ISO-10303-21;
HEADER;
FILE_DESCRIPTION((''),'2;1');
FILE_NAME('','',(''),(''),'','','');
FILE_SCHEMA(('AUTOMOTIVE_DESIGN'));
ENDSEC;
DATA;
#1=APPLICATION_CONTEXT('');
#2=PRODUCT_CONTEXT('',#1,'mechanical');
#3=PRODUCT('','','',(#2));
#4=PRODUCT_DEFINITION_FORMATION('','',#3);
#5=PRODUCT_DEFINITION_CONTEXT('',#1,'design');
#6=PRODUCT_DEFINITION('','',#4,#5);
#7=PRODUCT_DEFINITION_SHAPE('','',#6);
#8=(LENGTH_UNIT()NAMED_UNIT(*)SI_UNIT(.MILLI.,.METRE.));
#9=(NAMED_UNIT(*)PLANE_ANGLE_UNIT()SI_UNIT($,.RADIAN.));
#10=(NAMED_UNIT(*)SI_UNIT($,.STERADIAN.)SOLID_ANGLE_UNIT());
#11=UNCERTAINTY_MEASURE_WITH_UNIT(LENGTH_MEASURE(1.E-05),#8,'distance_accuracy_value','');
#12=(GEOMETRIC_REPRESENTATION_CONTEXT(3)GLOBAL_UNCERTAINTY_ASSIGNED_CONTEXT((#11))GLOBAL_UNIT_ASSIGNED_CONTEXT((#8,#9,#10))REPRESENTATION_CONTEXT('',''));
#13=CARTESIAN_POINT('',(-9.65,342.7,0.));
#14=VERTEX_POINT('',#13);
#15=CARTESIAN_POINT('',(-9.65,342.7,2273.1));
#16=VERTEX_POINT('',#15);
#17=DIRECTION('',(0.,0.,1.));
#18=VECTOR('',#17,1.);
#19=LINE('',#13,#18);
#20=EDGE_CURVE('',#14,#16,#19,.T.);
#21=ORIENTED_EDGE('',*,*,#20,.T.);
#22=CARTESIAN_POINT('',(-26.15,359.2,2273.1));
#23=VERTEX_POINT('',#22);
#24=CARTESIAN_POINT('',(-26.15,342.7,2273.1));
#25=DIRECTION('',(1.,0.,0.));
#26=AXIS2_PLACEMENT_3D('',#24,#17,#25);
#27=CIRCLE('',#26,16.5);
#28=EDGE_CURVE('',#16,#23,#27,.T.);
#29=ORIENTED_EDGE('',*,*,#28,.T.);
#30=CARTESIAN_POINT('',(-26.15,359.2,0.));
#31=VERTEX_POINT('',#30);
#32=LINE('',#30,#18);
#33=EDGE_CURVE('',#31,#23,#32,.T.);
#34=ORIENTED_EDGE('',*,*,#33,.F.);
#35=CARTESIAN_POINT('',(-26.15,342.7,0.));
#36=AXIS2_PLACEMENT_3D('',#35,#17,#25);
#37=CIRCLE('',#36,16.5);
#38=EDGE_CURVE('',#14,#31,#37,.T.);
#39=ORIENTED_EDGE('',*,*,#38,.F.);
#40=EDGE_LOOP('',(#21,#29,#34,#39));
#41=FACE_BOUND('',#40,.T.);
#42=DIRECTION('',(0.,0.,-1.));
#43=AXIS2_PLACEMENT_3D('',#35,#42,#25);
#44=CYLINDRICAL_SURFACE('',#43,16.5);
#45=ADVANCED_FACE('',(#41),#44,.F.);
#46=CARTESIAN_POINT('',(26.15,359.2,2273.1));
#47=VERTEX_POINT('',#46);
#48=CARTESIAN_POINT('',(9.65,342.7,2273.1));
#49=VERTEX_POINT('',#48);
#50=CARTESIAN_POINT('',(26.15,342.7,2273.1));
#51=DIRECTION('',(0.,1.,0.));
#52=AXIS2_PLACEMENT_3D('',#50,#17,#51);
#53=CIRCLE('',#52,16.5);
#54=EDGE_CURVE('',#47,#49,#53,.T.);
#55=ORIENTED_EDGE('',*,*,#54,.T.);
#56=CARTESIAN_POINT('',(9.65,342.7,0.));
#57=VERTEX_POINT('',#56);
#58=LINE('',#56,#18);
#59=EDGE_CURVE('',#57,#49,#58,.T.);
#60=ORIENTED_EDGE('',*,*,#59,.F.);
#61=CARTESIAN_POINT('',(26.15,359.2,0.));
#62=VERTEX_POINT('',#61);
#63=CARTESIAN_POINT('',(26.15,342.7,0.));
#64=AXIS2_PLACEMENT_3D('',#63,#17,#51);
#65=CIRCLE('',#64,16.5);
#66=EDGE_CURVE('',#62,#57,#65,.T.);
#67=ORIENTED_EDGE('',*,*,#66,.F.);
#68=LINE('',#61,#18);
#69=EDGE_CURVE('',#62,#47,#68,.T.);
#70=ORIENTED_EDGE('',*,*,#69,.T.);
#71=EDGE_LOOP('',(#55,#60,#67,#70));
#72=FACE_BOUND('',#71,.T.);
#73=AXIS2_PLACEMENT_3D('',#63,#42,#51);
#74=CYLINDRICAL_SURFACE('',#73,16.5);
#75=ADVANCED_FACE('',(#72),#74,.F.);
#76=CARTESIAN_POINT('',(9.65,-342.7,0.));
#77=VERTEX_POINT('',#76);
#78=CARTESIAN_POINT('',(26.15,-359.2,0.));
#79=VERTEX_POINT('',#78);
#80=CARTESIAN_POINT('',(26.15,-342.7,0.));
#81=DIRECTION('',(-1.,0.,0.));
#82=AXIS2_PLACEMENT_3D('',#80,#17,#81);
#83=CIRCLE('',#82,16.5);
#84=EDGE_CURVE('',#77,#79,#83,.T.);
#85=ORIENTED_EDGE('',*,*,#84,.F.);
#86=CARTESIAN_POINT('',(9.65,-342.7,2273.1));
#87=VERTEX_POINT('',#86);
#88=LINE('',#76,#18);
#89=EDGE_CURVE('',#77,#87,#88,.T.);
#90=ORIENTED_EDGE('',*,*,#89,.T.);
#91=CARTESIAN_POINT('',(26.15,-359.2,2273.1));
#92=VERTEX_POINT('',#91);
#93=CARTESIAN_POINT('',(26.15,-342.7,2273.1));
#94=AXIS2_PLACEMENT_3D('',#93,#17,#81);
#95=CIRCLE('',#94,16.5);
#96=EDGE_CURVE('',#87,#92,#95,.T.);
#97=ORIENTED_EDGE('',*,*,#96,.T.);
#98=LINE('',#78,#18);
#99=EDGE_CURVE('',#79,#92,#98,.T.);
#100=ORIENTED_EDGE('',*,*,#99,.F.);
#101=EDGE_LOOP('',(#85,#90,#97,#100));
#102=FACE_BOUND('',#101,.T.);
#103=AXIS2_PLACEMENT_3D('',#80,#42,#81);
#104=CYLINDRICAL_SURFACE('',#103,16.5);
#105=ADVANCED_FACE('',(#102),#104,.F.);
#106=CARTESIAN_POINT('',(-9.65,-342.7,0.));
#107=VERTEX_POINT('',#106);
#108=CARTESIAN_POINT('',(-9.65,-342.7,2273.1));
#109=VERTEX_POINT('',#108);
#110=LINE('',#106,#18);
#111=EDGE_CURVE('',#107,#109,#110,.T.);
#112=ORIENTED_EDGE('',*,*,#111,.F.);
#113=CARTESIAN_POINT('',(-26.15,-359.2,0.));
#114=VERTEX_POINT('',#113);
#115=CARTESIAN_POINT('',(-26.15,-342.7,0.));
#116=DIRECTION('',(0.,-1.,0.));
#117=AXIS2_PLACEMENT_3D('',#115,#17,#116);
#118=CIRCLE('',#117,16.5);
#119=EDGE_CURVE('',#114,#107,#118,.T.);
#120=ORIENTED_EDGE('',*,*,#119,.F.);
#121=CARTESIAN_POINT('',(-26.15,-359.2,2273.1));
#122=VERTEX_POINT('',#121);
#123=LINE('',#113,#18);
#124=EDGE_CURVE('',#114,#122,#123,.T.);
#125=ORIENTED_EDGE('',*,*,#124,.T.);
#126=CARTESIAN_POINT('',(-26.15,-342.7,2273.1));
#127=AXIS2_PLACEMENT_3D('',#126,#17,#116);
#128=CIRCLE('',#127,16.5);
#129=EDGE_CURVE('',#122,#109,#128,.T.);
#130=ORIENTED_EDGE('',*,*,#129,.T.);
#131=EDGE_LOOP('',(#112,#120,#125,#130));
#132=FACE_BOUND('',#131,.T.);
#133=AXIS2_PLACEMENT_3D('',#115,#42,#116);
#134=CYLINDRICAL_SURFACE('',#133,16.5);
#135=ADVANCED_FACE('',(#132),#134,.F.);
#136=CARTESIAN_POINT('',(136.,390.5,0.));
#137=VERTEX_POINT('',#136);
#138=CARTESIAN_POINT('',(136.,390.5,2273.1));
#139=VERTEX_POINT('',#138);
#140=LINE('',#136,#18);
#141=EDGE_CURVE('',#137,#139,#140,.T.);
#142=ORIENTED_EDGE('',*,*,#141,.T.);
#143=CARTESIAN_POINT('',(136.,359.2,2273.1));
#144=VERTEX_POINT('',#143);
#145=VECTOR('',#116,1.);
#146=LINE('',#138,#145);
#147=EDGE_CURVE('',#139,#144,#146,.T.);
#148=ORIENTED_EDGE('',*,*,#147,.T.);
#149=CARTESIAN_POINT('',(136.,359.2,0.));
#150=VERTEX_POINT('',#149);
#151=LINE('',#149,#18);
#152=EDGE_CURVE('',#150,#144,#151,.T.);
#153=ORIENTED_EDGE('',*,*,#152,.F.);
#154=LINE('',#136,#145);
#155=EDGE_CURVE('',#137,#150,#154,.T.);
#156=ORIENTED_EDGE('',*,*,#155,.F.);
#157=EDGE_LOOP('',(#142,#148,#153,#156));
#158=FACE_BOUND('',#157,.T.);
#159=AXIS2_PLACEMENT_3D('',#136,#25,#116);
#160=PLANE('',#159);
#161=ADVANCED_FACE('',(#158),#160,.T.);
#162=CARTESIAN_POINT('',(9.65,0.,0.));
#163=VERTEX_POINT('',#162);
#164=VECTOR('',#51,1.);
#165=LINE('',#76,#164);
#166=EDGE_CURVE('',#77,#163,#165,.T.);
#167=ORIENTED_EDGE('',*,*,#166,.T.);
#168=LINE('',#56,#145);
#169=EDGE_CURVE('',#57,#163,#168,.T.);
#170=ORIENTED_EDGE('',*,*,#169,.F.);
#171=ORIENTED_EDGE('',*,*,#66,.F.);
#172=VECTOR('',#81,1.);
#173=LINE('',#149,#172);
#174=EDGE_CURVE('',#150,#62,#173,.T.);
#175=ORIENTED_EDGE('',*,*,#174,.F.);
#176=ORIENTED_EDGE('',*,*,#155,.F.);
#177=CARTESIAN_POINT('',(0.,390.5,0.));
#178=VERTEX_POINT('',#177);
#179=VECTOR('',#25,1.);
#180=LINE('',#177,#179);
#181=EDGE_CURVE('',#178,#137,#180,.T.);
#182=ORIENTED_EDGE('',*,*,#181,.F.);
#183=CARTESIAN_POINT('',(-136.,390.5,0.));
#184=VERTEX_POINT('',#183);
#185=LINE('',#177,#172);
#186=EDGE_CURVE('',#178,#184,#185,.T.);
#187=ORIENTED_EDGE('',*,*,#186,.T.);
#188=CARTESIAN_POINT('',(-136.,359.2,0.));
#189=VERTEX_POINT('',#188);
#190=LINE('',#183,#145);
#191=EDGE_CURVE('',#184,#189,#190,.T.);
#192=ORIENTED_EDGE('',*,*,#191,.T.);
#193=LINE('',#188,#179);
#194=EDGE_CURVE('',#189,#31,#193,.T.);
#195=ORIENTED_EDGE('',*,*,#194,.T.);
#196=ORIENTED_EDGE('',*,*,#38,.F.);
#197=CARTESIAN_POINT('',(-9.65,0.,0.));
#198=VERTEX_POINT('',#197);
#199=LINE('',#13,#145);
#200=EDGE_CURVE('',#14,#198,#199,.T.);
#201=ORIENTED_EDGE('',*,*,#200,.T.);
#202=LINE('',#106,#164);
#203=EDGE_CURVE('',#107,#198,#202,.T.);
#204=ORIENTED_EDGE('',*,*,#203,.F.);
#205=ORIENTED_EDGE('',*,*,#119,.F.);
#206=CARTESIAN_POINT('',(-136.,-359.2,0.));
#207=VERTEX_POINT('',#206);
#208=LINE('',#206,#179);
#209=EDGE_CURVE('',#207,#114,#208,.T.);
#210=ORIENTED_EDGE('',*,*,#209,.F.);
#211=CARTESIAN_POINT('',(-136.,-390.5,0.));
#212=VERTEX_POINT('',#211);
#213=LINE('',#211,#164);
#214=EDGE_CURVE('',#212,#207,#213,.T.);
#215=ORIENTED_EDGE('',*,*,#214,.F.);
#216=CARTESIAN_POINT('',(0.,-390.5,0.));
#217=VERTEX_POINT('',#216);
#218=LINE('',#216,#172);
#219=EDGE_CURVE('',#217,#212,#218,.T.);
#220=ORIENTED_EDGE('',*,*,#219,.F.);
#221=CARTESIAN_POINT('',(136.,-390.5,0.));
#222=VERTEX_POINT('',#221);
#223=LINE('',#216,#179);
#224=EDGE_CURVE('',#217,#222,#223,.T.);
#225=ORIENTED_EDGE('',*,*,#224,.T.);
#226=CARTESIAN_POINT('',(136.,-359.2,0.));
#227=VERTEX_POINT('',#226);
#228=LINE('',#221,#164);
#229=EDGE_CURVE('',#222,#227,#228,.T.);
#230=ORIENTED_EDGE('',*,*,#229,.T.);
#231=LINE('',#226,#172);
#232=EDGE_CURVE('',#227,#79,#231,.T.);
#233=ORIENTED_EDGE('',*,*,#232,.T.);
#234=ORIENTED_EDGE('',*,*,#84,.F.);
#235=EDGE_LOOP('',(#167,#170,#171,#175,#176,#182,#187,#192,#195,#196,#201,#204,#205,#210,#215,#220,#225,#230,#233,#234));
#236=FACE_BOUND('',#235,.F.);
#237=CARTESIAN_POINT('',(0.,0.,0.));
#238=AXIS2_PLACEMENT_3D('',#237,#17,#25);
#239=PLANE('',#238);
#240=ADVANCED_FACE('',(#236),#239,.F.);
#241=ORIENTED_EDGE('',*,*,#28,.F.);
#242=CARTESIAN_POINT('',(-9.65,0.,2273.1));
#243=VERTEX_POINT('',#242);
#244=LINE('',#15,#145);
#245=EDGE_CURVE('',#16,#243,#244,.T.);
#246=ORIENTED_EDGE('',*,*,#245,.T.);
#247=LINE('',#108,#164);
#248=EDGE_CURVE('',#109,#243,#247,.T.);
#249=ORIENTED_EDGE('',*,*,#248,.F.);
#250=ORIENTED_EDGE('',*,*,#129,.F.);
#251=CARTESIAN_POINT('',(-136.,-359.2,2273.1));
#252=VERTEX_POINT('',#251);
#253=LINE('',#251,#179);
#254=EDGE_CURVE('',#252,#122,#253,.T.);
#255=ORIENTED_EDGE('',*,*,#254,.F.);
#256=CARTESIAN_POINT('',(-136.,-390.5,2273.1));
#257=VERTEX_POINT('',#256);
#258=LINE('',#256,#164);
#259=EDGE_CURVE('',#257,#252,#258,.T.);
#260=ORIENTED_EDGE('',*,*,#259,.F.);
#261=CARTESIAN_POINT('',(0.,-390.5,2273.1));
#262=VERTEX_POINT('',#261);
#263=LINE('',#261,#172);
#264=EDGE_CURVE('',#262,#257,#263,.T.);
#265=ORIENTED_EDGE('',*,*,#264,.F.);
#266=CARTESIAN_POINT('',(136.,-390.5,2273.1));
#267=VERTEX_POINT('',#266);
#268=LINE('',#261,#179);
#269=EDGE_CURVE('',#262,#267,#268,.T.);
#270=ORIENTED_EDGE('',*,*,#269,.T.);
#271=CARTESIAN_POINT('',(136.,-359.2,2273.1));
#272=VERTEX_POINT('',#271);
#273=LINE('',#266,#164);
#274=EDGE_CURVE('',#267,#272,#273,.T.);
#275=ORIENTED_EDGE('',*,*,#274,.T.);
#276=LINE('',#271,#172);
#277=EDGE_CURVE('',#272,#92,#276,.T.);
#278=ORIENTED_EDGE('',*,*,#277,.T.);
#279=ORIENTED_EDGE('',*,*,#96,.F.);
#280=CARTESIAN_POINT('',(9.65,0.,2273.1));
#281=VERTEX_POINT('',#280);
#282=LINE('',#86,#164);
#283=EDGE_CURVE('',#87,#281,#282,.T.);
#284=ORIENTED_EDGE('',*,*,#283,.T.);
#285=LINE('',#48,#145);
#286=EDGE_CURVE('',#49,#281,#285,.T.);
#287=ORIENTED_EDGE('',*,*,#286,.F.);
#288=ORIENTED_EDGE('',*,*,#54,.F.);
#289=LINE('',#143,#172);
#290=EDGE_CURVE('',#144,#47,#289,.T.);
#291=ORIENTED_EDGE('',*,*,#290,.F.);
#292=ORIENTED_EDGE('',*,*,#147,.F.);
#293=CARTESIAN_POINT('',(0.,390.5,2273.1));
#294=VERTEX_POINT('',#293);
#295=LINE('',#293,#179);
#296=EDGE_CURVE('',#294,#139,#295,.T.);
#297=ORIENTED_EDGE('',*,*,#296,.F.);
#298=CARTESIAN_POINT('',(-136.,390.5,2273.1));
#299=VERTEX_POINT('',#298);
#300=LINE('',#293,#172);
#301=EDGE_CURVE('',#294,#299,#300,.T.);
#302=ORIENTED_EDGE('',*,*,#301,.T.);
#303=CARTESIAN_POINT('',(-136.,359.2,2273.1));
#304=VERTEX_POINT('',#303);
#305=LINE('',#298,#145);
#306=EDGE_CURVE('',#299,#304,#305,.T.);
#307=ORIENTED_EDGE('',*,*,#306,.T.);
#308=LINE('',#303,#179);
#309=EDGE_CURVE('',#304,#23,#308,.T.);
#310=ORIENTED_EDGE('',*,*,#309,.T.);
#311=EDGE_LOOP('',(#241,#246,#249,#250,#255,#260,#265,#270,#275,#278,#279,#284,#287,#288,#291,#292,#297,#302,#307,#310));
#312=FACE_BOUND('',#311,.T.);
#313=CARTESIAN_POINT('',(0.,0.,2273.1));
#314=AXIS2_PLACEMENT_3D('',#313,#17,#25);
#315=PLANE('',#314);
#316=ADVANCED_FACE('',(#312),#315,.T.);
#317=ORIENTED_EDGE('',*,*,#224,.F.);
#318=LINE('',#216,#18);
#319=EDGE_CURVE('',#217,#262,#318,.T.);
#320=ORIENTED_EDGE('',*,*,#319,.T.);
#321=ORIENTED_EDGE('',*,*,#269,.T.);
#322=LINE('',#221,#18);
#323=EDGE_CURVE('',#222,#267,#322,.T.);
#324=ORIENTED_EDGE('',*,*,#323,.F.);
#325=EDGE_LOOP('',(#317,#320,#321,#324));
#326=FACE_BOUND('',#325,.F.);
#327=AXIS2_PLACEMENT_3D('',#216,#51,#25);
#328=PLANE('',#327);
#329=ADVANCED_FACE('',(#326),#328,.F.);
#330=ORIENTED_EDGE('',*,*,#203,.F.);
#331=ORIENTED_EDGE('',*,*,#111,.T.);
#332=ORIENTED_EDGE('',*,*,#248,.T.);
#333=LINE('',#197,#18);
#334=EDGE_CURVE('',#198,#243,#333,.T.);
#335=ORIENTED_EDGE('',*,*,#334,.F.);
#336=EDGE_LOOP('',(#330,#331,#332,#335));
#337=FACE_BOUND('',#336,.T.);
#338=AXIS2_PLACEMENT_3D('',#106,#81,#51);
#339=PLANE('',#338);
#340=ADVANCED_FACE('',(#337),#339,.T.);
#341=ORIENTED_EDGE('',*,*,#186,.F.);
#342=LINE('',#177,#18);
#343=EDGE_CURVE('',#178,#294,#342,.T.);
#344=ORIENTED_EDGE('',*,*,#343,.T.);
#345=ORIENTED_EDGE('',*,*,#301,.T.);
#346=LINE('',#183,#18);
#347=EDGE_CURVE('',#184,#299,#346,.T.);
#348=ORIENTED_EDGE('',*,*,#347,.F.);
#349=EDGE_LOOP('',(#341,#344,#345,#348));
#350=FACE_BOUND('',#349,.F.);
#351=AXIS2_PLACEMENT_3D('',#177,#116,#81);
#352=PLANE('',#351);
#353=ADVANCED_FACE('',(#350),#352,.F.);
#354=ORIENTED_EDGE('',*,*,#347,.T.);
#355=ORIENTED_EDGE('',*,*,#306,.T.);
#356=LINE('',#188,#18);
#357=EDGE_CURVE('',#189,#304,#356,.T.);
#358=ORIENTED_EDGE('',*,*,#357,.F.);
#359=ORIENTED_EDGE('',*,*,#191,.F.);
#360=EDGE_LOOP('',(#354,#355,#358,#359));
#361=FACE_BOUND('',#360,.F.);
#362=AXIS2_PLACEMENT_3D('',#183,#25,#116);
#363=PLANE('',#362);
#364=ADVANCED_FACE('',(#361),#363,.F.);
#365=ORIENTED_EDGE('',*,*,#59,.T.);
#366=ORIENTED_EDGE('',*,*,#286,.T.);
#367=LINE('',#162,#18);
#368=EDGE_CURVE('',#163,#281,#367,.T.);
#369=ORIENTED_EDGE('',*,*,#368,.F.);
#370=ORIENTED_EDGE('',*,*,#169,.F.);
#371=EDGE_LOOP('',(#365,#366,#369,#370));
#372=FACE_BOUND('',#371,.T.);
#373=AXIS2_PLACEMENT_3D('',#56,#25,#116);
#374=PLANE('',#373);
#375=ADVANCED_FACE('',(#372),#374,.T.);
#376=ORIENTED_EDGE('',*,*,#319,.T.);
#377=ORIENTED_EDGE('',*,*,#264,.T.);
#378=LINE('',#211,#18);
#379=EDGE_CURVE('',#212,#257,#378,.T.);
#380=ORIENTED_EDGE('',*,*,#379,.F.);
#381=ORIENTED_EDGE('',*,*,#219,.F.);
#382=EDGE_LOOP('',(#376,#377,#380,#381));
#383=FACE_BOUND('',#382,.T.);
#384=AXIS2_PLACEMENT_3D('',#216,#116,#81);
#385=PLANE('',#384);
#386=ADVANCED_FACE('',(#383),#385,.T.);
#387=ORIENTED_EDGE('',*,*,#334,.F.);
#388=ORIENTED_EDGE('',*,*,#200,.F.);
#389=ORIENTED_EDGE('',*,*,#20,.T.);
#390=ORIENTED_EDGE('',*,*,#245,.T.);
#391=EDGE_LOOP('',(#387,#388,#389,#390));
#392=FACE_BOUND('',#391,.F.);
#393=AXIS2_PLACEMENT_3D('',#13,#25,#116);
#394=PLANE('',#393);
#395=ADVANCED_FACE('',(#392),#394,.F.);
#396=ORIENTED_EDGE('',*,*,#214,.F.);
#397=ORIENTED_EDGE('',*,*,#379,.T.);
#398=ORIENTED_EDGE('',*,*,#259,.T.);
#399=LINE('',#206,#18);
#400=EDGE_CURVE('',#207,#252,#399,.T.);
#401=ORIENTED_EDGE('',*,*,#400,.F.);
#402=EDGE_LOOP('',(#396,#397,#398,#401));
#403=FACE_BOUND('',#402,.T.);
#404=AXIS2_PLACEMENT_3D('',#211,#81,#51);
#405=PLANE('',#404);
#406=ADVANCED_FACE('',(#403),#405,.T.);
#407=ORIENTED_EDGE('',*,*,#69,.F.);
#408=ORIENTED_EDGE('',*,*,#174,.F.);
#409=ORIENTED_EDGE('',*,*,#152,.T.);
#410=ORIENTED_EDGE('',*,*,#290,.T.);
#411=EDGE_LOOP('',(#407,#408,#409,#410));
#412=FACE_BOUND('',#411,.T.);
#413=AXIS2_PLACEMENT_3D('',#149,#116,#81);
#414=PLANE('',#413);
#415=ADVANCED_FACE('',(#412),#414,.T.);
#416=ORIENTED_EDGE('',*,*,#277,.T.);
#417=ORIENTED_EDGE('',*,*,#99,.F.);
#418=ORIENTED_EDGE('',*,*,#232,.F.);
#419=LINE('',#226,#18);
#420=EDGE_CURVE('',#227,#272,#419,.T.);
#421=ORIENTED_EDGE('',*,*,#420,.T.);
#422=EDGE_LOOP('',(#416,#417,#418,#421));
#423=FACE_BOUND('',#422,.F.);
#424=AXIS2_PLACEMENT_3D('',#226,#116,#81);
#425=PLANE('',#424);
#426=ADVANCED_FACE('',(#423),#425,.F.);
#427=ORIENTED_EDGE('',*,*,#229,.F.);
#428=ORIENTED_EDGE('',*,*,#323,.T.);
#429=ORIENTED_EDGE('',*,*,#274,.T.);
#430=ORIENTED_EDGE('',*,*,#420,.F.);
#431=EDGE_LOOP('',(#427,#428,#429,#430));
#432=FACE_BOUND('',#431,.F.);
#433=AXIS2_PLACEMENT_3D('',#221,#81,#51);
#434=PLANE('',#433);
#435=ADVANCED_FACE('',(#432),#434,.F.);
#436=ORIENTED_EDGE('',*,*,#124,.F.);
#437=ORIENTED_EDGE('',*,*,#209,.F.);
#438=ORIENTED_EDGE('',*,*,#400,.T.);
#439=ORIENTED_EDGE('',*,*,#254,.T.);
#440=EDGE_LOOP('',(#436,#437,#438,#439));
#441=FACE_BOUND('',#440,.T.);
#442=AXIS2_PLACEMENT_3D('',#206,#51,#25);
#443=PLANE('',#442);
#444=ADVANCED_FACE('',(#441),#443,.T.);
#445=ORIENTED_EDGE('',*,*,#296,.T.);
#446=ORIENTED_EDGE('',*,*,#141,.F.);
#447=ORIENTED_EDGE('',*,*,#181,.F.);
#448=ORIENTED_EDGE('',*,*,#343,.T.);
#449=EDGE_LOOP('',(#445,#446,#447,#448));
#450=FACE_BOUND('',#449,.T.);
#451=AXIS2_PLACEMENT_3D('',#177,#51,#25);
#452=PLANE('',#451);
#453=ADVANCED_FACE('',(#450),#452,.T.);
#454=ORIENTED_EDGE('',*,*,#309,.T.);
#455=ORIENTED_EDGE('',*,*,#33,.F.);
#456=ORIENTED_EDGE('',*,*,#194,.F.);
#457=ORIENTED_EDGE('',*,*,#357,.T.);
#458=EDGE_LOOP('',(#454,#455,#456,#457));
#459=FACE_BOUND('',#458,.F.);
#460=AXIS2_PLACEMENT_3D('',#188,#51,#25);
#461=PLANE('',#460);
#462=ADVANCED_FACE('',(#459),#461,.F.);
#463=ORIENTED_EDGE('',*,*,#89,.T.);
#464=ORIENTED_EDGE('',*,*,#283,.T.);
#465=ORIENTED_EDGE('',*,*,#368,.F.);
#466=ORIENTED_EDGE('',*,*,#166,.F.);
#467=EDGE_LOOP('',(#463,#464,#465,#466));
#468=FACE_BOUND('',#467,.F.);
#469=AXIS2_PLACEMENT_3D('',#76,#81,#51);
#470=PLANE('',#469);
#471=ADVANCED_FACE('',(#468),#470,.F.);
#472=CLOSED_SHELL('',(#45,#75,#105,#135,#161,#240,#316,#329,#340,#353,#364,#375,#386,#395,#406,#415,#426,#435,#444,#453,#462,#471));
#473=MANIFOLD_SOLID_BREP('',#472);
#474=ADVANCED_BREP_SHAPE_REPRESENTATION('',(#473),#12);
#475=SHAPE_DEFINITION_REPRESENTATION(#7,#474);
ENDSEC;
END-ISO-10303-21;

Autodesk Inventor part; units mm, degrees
ref_plane "YZ Plane" through (0, 0, 0) normal (1, 0, 0) x (0, 1, 0)
ref_plane "Start plane" through (0, 0, 0) normal (0, 0, 1) x (1, 0, 0)
ref_plane "End plane" through (0, 0, 2273.1) normal (0, 0, 1) x (1, 0, 0)
sketch "Sketch" plane through (0, 0, 0) normal (0, 0, 1) x (1, 0, 0)
  line L0 (-136, -390.5) -> (-136, -359.2)
  line L1 (-136, -359.2) -> (-26.15, -359.2)
  line L2 (-9.65, -342.7) -> (-9.65, 0)
  line L3 (-9.65, 0) -> (0, 0) construction
  line L4 (0, 0) -> (0, -390.5) construction
  line L5 (0, -390.5) -> (-136, -390.5)
  line L6 (-60, 0) -> (80, 0) construction
  line L7 (0, -60) -> (0, 80) construction
  line L8 (136, -390.5) -> (136, -359.2)
  line L9 (136, -359.2) -> (26.15, -359.2)
  line L10 (9.65, -342.7) -> (9.65, 0)
  line L11 (9.65, 0) -> (0, 0) construction
  line L12 (0, -390.5) -> (136, -390.5)
  line L13 (-136, 390.5) -> (-136, 359.2)
  line L14 (-136, 359.2) -> (-26.15, 359.2)
  line L15 (-9.65, 342.7) -> (-9.65, 0)
  line L16 (0, 390.5) -> (-136, 390.5)
  line L17 (136, 390.5) -> (136, 359.2)
  line L18 (136, 359.2) -> (26.15, 359.2)
  line L19 (0, 390.5) -> (136, 390.5)
  line L20 (9.65, 342.7) -> (9.65, 0)
  arc A0 (-9.65, 342.7) -> (-26.15, 359.2) centre (-26.15, 342.7) ccw
  arc A1 (26.15, 359.2) -> (9.65, 342.7) centre (26.15, 342.7) ccw
  arc A2 (9.65, -342.7) -> (26.15, -359.2) centre (26.15, -342.7) ccw
  arc A3 (-26.15, -359.2) -> (-9.65, -342.7) centre (-26.15, -342.7) ccw
  line L21 (0, 108) -> (0, -88) construction
  line L22 (-88, 0) -> (108, 0) construction
  point P0 (-9.65, -359.2)
  point P1 (9.65, -359.2)
  point P2 (-9.65, 359.2)
  point P3 (9.65, 359.2)
  dimension "d1" = 390.5
  dimension "d2" = 31.3
  dimension "d3" = 136
  dimension "d4" = 9.65
  dimension "d10" = 16.5
extrude "Body" add sketch "Sketch" along normal up to surface (2273.1 mm away) from surface at 0
sketch "Sketch4" plane through (0, 0, 0) normal (0, 0, 1) x (1, 0, 0)
  line L0 (0, 0) -> (10, 0)
ref_plane "Work Plane3" through (0, 0, 0) normal (0, -1, 0) x (1, 0, 0)
sketch "Sketch5" plane through (0, 0, 0) normal (0, -1, 0) x (1, 0, 0)
  line L0 (-2, 0) -> (12, 0) projected
  line L1 (-2, 2273.1) -> (12, 2273.1) projected
  dimension "d14" = 2273.1
equation "\"d1\" = 0.5 * G_H"
equation "\"d2\" = G_T1"
equation "\"d3\" = 0.5 * G_W"
equation "\"d4\" = 0.5 * G_T"
equation "\"d10\" = G_IR"
equation "\"d5\" = G_L"
equation "\"G_W\" = 272"
equation "\"G_H\" = 781"
equation "\"G_T\" = 19.3"
equation "\"G_T1\" = 31.3"
equation "\"G_IR\" = 16.5"
equation "\"G_L\" = d14"
equation "\"G_OFFSET_START\" = 0"
equation "\"G_OFFSET_END\" = 0"
equation "\"d12\" = G_OFFSET_END + B_L"
equation "\"B_L\" = 2273.1"
properties part number "AS 3679-1990 - 760 UB - 244 - 2273.1" material "Steel, Mild"
